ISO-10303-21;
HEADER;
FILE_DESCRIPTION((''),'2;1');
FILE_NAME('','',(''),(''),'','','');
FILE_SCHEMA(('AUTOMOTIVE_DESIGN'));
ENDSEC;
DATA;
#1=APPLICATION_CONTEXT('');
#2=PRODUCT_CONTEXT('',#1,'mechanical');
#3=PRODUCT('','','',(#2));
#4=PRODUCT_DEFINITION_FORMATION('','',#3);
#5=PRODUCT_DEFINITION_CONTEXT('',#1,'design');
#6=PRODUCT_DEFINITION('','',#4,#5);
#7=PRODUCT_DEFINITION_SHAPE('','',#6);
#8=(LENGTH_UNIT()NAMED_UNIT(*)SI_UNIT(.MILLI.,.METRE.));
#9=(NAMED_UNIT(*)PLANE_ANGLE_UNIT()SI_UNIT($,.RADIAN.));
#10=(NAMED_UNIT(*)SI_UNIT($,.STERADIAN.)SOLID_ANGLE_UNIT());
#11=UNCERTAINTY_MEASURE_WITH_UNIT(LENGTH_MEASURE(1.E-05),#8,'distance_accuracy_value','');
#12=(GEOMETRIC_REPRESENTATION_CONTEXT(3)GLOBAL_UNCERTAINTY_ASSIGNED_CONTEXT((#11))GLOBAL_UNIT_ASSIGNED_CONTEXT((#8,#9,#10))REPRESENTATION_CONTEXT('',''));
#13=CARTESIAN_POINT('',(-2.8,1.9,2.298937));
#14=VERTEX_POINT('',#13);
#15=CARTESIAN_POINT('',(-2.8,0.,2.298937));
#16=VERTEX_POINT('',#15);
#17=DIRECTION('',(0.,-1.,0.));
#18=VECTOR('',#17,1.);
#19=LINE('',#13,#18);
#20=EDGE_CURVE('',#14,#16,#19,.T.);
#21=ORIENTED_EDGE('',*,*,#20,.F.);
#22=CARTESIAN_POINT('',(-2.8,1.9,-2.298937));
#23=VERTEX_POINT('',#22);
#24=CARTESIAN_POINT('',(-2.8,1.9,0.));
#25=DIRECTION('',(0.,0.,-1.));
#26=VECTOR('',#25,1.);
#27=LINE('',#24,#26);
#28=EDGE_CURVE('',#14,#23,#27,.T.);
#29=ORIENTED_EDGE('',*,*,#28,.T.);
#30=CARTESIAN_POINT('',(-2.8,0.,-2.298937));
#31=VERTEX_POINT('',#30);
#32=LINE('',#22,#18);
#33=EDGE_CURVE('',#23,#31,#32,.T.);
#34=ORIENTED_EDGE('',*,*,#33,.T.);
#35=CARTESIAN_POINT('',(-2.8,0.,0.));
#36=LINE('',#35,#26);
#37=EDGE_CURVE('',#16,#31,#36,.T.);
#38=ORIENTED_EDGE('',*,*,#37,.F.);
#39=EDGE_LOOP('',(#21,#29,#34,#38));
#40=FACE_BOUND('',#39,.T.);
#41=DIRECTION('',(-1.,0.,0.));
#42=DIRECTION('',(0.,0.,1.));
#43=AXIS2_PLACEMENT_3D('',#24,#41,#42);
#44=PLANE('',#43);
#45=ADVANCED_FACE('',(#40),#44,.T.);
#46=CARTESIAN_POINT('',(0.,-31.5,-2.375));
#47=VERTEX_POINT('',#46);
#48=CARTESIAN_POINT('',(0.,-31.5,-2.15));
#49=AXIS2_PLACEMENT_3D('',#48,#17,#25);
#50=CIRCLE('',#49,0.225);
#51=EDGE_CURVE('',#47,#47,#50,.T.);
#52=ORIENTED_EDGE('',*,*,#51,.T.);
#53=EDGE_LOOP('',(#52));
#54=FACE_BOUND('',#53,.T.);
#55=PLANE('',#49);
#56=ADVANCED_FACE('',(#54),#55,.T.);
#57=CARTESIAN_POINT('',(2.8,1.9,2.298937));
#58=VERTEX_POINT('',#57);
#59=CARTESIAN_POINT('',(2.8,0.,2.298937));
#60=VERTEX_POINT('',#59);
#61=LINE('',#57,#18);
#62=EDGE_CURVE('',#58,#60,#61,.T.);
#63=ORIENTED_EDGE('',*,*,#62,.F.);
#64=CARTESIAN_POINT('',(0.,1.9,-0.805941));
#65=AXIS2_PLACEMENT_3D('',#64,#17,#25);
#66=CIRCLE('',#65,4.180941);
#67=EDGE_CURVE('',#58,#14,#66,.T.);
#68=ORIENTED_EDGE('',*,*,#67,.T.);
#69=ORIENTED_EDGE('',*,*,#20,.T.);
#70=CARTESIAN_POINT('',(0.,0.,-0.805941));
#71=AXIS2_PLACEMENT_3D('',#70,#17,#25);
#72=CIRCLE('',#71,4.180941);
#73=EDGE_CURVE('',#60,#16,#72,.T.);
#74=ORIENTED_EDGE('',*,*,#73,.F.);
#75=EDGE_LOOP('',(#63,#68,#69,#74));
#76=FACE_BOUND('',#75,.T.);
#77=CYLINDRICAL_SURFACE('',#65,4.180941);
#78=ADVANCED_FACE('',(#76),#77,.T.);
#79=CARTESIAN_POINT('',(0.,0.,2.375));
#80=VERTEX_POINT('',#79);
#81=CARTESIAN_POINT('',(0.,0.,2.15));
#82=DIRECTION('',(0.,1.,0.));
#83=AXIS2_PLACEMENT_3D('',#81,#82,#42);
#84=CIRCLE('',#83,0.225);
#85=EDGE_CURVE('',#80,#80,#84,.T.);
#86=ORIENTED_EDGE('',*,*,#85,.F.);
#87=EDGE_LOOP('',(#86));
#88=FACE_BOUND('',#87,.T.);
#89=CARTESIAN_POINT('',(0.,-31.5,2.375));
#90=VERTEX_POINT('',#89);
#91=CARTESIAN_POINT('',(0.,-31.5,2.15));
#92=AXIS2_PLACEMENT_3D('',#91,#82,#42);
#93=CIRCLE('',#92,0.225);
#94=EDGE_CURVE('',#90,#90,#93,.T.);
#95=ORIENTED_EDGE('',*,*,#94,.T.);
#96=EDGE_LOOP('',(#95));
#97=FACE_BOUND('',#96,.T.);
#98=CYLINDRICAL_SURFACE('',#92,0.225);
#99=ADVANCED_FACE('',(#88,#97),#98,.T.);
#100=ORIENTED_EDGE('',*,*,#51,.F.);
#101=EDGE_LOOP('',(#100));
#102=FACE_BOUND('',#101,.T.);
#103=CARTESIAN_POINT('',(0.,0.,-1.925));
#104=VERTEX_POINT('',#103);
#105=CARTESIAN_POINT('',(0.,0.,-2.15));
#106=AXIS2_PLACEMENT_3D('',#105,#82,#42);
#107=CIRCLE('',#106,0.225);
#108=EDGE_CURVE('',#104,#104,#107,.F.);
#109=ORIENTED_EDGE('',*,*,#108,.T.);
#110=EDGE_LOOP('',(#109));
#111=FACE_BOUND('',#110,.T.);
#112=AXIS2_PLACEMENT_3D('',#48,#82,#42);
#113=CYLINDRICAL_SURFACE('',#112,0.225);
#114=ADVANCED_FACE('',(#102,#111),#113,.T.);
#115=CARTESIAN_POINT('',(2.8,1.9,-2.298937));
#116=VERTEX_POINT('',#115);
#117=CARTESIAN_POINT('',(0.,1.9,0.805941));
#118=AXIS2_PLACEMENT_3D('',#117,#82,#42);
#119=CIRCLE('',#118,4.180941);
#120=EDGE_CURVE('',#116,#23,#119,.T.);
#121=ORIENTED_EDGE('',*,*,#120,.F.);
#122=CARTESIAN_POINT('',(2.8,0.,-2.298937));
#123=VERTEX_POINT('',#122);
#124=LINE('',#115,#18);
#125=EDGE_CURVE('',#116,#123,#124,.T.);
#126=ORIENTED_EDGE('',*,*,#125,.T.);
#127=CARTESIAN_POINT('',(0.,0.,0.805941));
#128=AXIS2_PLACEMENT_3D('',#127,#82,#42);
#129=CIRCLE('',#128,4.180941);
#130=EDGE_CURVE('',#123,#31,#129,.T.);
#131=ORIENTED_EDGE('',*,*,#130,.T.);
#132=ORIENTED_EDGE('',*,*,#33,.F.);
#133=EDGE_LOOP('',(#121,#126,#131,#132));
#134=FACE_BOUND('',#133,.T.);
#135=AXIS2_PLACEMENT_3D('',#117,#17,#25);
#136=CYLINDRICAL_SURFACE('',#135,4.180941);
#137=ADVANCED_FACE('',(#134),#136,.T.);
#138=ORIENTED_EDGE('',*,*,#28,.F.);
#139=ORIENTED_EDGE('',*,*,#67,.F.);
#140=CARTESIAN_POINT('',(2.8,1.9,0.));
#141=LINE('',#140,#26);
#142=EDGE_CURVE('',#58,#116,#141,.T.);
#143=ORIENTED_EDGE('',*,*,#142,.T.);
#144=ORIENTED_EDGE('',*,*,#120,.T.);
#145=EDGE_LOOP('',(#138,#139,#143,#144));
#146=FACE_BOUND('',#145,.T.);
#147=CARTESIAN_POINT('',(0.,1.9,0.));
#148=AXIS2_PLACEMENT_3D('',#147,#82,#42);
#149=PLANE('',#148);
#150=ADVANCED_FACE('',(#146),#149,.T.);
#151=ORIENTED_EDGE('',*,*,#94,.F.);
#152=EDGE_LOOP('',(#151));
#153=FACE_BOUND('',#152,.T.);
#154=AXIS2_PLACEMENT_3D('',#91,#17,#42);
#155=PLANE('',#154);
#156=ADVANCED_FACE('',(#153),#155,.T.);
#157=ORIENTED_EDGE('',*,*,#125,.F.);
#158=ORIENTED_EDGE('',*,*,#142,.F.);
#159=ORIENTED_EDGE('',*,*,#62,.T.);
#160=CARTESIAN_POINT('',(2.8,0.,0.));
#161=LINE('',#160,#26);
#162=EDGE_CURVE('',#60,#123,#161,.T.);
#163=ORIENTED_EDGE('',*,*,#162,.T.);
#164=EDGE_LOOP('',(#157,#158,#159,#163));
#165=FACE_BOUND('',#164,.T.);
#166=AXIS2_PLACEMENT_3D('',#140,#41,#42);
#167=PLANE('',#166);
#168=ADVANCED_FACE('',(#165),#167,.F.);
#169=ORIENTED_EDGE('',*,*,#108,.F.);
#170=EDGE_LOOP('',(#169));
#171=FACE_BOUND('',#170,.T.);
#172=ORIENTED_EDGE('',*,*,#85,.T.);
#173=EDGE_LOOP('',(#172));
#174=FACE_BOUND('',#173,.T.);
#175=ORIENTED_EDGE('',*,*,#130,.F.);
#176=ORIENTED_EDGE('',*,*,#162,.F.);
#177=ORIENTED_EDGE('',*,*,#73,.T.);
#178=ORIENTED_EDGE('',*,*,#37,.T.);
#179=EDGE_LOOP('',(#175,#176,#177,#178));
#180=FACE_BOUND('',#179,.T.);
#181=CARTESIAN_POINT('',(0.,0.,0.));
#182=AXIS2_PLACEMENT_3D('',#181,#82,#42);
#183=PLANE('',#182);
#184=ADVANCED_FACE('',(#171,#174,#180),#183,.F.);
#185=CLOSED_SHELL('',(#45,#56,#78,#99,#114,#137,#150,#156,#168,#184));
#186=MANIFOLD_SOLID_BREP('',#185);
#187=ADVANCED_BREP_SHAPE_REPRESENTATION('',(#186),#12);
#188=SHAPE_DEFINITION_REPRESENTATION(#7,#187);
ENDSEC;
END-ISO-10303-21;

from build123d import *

# Parameters (mm, degrees)
BOSS_EXTRUDE1_DEPTH = 1.9
SKETCH2_R           = 0.225
BOSS_EXTRUDE2_DEPTH = 31.5


with BuildPart() as part:
    # Sketch1 → Boss-Extrude1 (new body)
    with BuildSketch(Plane(origin=(0, 0, 0), x_dir=(1, 0, 0), z_dir=(0, 1, 0))):
        with BuildLine():
            Line((-2.8, 2.298937026), (-2.8, 0))
            Line((-2.8, 0), (2.8, 0))
            Line((2.8, 0), (2.8, 2.298937026))
            ThreePointArc((2.8, 2.298937026), (1.49982595, 3.096723441), (0, 3.375))
            ThreePointArc((0, 3.375), (-1.49982595, 3.096723441), (-2.8, 2.298937026))
        make_face()
    boss_extrude1 = extrude(amount=BOSS_EXTRUDE1_DEPTH)

    # Sketch2 → Boss-Extrude2 (add)
    with BuildSketch(Plane.XZ):
        with Locations(Location((0, -2.15, 0), (0, 0, 90))):
            Circle(SKETCH2_R)
    boss_extrude2 = extrude(amount=BOSS_EXTRUDE2_DEPTH)

    # Mirror2: Boss-Extrude1, Boss-Extrude2 across plane
    add(boss_extrude1.mirror(Plane.XY))
    add(boss_extrude2.mirror(Plane.XY))


solid = part.part
